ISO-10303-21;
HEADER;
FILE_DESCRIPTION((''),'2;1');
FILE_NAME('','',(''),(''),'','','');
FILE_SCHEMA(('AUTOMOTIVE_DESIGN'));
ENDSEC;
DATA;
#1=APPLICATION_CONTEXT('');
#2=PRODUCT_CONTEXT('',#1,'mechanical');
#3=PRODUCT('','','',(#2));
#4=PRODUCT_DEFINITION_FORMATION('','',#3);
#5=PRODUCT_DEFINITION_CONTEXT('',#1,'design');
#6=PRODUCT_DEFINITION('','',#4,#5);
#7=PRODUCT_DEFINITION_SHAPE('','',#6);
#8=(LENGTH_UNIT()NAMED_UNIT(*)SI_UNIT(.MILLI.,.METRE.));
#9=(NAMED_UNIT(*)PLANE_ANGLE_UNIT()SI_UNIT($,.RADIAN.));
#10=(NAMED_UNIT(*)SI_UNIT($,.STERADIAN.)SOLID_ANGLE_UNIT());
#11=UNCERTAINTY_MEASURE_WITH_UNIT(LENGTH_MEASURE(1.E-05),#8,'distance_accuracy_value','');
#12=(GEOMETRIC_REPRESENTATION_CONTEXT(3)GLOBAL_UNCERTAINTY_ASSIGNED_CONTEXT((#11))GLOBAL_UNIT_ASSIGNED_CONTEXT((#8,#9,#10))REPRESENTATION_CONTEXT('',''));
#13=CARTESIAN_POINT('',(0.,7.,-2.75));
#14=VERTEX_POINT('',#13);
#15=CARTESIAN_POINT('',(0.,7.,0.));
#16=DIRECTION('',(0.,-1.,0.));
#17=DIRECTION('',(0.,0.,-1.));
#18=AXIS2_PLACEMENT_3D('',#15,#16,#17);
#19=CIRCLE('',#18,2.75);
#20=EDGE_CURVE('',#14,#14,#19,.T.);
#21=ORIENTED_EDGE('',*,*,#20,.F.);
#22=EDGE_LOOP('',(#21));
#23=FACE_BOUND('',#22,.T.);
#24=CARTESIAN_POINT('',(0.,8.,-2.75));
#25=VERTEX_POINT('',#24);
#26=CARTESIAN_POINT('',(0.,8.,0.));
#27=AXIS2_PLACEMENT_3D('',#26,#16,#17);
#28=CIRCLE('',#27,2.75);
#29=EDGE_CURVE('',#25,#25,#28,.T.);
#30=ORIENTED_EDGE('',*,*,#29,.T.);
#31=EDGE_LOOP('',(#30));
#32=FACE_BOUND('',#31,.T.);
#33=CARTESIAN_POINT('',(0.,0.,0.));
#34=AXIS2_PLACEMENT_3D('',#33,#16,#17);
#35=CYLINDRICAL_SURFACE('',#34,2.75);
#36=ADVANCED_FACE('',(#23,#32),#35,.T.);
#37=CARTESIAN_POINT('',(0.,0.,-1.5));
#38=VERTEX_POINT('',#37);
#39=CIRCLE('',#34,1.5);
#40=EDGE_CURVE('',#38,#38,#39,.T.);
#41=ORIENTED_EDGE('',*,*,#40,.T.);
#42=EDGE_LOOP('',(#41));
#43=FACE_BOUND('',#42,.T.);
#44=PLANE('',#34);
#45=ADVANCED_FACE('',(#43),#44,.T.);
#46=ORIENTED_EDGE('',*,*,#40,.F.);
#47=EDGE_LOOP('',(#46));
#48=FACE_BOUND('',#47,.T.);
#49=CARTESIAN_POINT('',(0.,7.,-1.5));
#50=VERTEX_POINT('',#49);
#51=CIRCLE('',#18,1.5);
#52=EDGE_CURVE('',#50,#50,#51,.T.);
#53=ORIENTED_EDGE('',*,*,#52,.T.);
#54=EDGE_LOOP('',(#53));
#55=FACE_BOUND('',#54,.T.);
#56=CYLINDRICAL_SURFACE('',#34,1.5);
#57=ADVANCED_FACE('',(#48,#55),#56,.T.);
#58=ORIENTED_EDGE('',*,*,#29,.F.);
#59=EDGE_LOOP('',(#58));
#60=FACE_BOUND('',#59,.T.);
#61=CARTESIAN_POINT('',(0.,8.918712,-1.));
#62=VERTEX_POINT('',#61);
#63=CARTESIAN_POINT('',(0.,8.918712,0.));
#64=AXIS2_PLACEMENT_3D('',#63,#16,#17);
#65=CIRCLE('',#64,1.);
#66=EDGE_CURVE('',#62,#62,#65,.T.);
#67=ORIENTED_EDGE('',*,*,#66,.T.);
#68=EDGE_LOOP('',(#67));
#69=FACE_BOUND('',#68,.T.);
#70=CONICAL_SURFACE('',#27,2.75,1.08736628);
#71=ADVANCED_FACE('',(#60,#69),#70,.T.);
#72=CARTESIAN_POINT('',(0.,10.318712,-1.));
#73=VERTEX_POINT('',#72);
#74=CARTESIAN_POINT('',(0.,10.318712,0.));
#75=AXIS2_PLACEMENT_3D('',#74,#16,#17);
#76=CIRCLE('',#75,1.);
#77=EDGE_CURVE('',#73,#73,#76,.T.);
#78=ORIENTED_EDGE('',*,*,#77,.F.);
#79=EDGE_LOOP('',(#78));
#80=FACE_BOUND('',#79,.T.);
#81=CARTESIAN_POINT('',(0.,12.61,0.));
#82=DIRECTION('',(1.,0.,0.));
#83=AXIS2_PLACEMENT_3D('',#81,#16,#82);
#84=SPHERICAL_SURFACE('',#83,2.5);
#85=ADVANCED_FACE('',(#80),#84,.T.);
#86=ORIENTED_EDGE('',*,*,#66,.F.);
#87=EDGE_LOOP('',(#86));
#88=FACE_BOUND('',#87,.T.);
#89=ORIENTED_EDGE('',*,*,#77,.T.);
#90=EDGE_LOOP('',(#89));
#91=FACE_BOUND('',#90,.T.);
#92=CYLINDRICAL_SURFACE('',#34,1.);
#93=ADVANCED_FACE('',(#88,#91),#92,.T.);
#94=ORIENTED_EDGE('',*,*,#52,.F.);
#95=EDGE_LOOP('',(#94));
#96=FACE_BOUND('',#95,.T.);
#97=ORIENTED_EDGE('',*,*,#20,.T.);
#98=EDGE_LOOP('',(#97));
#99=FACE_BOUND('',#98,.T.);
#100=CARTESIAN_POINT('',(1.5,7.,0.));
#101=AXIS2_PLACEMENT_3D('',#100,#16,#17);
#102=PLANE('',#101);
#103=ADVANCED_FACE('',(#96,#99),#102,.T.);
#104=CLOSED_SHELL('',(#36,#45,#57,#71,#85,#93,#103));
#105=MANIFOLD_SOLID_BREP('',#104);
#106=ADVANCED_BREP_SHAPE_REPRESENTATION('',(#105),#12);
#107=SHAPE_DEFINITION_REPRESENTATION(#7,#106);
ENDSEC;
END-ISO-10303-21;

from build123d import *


with BuildPart() as part:
    # Sketch1 → Revolve1 (revolve)
    with BuildSketch(Plane.XY):
        with BuildLine():
            Line((1.5, 0), (1.5, 7))
            Line((1.5, 7), (2.75, 7))
            Line((2.75, 7), (2.75, 8))
            Line((2.75, 8), (1, 8.918712153))
            Line((1, 8.918712153), (1, 10.318712153))
            ThreePointArc((1, 10.318712153), (2.447265782, 13.120774109), (0, 15.11))
            Line((0, 15.11), (0, 0))
            Line((0, 0), (1.5, 0))
        make_face()
    revolve(axis=Axis((0, 0, 0), (0, 1, 0)))


solid = part.part
